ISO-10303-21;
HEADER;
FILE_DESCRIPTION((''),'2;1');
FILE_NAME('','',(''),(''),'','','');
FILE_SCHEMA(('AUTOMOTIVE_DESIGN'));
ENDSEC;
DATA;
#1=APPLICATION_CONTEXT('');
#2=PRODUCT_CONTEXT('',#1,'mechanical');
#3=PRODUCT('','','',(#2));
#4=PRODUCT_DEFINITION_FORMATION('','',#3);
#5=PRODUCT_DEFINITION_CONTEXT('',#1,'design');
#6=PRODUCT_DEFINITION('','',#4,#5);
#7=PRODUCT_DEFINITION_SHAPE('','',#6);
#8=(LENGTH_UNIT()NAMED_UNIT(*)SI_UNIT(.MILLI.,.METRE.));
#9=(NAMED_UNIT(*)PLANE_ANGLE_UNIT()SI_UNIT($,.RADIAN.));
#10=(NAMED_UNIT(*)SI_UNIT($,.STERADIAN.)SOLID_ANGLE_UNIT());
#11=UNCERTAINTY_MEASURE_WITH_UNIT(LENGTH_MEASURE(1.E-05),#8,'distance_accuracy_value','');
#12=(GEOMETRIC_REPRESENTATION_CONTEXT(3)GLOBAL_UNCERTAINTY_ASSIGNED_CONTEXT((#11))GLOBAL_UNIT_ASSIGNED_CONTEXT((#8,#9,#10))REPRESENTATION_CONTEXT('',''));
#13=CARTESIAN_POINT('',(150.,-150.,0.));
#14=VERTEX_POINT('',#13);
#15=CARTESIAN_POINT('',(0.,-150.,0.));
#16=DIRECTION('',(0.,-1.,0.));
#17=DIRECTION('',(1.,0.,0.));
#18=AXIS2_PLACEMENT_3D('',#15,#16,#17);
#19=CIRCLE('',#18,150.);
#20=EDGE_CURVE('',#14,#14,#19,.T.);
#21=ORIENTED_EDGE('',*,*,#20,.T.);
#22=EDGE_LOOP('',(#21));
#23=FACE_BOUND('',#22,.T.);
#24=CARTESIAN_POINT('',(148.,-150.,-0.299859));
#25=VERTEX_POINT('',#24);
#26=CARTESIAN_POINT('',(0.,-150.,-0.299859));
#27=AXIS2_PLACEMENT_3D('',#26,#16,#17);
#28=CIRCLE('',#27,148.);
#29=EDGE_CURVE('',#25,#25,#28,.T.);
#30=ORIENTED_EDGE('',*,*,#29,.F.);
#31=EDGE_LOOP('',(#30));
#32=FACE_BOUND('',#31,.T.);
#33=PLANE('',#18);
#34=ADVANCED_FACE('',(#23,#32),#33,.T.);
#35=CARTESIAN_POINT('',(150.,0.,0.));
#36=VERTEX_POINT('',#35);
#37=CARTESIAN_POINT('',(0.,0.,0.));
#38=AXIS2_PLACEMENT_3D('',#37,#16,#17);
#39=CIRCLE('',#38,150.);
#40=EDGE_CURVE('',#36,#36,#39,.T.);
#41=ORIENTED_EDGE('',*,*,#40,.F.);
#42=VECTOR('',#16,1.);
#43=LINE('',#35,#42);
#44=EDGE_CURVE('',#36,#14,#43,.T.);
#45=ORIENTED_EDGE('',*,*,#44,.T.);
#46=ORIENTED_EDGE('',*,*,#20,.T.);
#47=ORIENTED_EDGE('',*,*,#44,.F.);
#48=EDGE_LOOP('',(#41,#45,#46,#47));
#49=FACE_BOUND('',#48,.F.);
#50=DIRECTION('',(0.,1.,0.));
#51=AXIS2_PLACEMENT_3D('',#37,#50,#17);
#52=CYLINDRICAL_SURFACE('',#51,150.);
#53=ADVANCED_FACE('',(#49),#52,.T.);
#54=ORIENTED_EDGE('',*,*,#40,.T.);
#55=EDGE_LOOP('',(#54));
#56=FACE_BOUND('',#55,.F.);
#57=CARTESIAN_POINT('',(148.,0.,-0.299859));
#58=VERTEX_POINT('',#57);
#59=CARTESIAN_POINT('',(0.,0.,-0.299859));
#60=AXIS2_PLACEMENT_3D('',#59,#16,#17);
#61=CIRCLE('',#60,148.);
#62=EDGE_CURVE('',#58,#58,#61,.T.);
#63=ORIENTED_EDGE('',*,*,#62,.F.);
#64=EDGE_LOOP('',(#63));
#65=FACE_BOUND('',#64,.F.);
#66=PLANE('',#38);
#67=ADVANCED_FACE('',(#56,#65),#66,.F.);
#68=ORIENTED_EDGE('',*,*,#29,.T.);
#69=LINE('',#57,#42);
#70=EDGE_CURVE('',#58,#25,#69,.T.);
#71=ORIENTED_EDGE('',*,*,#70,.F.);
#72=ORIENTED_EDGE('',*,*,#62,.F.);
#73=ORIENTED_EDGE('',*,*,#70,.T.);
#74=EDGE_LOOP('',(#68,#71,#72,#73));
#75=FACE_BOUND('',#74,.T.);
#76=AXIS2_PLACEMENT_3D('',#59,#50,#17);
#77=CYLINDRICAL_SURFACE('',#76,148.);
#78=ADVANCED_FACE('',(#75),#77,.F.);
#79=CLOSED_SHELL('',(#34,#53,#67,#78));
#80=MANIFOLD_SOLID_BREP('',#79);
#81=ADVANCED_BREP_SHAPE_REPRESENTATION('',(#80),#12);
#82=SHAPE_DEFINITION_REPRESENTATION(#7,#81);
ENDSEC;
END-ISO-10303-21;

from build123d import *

# Parameters (mm, degrees)
F0_R     = 150
F0_R_2   = 148
F1_DEPTH = 150


with BuildPart() as f1:
    # F0 (on Front) → F1 (new body)
    with BuildSketch(Plane.XZ):
        Circle(F0_R)
        with Locations((0, -0.299859)):
            Circle(F0_R_2, mode=Mode.SUBTRACT)
    extrude(amount=F1_DEPTH)


solid = f1.part
